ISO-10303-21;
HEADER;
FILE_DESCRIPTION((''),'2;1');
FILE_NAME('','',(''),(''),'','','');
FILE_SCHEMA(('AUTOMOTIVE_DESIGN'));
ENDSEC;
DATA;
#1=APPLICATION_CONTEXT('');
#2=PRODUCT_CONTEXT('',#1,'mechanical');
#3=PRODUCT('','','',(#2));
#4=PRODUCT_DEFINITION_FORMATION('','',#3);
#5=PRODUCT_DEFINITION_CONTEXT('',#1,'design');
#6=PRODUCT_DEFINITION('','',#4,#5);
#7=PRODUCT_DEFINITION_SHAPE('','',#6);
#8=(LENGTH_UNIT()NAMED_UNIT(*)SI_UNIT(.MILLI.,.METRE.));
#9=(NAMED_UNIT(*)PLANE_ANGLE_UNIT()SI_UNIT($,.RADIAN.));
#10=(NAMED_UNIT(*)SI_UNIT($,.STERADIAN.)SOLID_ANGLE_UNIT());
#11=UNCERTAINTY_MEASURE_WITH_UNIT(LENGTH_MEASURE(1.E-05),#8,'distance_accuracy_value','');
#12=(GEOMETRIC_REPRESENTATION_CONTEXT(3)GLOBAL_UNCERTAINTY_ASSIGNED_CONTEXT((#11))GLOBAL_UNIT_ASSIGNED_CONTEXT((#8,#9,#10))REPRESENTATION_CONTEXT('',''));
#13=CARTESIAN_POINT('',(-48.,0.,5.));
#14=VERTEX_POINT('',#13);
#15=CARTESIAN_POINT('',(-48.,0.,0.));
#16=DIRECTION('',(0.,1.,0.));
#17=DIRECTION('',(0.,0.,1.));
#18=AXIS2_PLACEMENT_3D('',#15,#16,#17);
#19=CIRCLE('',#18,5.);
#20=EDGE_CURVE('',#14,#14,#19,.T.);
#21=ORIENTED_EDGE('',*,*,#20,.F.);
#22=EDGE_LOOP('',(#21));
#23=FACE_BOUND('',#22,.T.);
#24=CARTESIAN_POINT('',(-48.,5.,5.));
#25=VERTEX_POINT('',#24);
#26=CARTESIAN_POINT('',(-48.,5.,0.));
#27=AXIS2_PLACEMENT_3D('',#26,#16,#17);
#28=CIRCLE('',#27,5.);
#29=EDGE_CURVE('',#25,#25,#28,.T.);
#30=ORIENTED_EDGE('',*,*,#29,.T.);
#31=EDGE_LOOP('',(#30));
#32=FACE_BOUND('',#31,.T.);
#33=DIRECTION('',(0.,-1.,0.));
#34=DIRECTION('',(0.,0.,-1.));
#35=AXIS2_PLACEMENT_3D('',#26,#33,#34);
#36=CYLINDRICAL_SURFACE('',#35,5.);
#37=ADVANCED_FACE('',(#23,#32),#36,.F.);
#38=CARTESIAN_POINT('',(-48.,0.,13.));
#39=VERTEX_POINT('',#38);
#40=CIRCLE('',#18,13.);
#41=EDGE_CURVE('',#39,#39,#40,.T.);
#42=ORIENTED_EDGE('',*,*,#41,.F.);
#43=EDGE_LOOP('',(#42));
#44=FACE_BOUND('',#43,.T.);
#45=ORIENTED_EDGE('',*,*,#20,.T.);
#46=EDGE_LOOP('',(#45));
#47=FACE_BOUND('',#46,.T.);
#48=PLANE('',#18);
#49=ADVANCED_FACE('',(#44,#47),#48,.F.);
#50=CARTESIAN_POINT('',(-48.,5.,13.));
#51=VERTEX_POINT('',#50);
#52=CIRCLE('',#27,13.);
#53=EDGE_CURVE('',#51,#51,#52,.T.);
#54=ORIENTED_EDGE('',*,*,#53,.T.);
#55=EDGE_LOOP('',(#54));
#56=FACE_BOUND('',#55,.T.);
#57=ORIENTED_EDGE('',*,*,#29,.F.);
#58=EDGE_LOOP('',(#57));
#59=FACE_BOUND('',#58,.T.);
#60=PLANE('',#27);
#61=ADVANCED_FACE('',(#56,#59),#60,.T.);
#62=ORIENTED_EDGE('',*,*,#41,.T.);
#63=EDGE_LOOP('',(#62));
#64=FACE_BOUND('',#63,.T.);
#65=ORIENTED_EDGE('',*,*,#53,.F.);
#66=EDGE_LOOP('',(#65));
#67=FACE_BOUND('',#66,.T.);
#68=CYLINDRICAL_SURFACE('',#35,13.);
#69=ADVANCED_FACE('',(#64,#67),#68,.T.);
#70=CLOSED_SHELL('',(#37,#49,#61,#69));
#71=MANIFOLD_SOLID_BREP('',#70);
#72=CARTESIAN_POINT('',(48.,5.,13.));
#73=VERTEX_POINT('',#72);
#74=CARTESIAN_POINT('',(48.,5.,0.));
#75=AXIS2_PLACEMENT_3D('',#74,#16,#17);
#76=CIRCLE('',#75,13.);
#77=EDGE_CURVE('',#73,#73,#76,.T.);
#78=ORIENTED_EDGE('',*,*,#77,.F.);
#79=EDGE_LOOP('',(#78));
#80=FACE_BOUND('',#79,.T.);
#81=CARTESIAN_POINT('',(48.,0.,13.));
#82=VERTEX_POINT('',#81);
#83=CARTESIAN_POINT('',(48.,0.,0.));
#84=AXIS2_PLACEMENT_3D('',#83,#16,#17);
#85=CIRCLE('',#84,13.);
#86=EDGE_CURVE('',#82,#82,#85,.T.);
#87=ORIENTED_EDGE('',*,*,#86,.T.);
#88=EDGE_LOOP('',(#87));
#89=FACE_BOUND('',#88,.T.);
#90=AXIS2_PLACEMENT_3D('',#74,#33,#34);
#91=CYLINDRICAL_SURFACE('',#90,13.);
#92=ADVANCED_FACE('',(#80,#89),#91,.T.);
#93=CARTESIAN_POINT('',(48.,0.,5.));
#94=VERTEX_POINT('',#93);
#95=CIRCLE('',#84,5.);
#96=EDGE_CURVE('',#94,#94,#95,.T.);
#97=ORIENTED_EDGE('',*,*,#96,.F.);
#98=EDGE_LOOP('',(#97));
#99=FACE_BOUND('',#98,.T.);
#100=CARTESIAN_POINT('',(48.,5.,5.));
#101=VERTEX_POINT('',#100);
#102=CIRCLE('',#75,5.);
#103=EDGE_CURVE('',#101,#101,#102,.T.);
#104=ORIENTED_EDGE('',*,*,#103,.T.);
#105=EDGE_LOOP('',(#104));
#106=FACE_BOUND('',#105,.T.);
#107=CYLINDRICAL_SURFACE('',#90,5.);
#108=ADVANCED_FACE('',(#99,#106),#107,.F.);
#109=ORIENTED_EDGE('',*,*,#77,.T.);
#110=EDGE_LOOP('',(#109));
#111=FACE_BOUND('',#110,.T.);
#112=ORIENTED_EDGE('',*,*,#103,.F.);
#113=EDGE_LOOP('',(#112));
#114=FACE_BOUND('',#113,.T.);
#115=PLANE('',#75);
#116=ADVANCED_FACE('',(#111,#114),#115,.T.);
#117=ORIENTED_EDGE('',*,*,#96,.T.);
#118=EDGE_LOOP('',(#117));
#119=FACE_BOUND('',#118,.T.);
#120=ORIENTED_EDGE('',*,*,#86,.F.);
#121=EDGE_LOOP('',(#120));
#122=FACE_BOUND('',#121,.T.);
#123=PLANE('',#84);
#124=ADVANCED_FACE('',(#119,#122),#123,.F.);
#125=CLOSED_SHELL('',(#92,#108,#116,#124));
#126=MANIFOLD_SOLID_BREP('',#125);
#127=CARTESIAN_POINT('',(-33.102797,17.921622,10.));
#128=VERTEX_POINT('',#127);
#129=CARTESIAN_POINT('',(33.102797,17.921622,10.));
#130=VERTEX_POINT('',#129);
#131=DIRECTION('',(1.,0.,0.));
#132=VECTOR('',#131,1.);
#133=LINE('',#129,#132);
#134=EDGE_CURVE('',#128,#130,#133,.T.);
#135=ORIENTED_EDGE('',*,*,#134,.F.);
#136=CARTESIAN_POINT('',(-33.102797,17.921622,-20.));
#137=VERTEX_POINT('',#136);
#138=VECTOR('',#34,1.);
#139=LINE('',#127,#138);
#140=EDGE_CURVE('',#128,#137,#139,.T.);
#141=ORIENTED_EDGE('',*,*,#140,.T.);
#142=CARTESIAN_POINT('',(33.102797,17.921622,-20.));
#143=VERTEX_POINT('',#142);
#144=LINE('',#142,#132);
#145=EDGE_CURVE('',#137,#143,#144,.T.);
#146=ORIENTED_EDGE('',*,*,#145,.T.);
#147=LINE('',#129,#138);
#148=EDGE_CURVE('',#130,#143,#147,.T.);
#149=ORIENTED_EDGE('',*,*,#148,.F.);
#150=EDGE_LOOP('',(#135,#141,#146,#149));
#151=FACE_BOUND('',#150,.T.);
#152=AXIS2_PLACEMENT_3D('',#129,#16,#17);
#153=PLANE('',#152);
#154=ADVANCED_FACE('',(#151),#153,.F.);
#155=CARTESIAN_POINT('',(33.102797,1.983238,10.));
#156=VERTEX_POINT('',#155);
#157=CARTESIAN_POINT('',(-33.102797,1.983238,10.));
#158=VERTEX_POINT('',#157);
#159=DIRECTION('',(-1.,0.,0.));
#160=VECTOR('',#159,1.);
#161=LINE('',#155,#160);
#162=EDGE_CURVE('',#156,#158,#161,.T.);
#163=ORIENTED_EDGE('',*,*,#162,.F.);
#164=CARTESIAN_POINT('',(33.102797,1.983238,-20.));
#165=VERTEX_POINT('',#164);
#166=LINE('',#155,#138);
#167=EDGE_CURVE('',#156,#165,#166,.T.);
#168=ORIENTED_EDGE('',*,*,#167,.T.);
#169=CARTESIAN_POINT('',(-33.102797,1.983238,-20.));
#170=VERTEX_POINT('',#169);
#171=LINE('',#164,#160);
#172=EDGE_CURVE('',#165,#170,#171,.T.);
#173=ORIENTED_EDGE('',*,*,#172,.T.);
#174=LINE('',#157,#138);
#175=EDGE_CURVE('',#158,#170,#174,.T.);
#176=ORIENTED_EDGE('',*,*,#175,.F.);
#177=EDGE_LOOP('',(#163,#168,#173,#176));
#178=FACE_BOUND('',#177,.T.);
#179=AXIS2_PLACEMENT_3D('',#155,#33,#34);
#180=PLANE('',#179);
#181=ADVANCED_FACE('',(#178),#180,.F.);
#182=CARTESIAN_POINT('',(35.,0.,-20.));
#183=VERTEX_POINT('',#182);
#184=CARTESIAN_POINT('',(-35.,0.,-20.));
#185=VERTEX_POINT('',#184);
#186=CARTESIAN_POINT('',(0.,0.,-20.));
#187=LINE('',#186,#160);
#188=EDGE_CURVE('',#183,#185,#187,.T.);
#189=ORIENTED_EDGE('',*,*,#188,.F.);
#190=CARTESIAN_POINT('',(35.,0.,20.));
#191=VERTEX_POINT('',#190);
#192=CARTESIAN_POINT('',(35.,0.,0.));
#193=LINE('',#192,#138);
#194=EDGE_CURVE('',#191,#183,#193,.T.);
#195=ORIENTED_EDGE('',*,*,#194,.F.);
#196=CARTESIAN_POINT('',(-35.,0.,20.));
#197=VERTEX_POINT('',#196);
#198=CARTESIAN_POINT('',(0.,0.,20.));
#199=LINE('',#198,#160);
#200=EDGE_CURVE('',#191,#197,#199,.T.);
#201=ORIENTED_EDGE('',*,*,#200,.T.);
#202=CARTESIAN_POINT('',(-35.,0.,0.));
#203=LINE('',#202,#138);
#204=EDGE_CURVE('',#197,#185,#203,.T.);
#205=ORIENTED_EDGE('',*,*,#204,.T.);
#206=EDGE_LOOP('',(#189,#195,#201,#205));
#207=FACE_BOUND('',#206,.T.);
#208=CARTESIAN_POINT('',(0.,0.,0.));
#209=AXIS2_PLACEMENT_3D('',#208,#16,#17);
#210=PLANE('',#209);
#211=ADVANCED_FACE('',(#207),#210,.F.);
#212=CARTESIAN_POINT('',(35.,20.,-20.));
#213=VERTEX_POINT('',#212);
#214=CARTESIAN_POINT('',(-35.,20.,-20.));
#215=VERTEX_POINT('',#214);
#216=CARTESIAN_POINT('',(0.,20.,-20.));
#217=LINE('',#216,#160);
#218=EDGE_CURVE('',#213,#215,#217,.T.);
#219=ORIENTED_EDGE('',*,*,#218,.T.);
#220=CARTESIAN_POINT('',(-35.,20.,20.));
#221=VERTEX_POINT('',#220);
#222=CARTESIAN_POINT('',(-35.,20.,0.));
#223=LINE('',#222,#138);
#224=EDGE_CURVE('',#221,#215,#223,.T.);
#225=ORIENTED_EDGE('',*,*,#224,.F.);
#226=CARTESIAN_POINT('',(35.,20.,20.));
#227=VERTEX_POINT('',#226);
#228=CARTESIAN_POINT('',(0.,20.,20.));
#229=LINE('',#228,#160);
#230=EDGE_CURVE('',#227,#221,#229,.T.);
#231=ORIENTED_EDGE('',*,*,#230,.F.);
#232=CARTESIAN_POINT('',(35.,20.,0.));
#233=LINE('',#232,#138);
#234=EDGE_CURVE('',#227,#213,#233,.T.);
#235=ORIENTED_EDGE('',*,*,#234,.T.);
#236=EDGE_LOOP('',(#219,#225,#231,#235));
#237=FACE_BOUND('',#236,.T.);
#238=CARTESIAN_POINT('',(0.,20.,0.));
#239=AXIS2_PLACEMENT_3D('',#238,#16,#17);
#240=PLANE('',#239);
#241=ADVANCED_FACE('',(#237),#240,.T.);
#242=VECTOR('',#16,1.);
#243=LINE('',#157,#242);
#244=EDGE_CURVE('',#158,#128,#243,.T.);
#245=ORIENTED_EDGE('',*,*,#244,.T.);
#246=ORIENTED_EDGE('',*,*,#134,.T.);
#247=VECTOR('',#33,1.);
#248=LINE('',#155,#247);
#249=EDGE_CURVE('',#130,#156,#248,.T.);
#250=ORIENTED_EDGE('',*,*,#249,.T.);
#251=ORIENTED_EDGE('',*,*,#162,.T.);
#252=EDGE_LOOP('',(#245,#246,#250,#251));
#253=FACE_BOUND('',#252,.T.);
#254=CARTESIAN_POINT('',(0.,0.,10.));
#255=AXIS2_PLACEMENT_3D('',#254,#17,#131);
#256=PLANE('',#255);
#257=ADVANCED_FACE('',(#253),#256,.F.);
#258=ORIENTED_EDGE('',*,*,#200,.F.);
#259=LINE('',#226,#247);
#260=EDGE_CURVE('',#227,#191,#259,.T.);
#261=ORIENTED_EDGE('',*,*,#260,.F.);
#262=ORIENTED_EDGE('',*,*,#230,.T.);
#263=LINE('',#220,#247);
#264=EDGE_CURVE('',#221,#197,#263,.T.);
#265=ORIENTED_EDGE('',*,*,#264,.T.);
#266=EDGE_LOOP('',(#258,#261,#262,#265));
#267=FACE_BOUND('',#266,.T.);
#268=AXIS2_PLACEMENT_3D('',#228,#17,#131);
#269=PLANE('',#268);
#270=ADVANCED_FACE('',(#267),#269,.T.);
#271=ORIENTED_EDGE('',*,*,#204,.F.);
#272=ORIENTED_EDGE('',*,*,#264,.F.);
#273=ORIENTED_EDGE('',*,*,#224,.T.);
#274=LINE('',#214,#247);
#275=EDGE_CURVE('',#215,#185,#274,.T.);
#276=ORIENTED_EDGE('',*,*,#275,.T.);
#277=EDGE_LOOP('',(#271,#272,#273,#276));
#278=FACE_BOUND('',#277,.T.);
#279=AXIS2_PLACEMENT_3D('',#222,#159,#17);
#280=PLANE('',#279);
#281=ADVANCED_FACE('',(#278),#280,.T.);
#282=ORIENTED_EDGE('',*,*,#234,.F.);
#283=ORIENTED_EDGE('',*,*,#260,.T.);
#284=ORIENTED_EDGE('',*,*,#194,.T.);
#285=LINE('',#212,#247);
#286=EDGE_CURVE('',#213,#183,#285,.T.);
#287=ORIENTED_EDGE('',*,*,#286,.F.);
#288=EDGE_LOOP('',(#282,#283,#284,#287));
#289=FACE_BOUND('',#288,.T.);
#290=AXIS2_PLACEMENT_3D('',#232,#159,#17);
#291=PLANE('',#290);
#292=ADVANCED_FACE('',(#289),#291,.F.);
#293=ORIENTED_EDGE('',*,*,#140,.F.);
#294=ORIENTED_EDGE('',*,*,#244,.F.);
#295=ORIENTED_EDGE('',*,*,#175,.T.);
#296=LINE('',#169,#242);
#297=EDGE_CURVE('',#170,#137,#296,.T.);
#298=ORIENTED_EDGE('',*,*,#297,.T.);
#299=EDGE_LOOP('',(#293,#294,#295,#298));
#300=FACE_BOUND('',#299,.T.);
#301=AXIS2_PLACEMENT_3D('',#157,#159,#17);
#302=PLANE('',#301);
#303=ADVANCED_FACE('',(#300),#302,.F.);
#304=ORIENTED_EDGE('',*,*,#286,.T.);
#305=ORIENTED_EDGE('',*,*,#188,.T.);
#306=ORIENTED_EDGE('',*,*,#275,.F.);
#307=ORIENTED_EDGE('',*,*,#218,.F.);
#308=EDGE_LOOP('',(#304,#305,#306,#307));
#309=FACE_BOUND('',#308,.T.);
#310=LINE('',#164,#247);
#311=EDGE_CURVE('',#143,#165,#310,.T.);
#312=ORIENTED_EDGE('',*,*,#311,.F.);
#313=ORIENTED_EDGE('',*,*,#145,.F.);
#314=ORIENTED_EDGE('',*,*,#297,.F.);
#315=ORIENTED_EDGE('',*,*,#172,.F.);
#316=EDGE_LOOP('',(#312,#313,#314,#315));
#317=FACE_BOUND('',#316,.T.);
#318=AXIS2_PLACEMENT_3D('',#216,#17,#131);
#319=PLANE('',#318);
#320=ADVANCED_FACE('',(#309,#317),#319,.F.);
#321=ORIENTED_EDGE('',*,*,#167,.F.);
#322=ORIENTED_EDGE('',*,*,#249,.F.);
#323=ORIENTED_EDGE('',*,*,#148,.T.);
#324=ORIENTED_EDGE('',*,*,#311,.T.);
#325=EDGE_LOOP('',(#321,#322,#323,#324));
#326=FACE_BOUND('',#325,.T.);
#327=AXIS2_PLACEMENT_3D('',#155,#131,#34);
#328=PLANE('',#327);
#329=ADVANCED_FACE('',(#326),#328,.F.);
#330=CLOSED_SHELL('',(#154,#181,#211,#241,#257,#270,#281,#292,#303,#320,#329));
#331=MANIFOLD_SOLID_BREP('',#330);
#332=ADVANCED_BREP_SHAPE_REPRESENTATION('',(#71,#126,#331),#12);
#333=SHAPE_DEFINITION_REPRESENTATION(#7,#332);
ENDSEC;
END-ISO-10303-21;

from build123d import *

# Parameters (mm, degrees)
EXTRUDE_1_DEPTH     = 20
SKETCH_3_W          = 66.20559445
SKETCH_3_H          = 15.93838385
CUT_EXTRUDE_2_DEPTH = 30
SKETCH_1_8_R        = 13
SKETCH_1_8_R_2      = 5
EXTRUDE_5_DEPTH     = 5
SKETCH_1_9_R        = 13
SKETCH_1_9_R_2      = 5
EXTRUDE_6_DEPTH     = 5


with BuildPart() as part:
    # 草图1 → 凸台-拉伸1 (new body)
    with BuildSketch(Plane(origin=(0, 0, 0), x_dir=(1, 0, 0), z_dir=(0, 1, 0))):
        Polygon((-35, -20), (35, -20), (35, -1.9e-08), (35, 20), (-35, 20), (-35, 0), align=None)
    extrude(amount=EXTRUDE_1_DEPTH)

    # 草图3 → 切除-拉伸2 (cut)
    with BuildSketch(Plane(origin=(0, 0, -20), x_dir=(-1, 0, 0), z_dir=(0, 0, -1))):
        with Locations((0, 9.952430017)):
            Rectangle(SKETCH_3_W, SKETCH_3_H)
    extrude(amount=-CUT_EXTRUDE_2_DEPTH, mode=Mode.SUBTRACT)


with BuildPart() as body_2:
    # 草图1<8> → 凸台-拉伸5 (new body)
    with BuildSketch(Plane(origin=(0, 0, 0), x_dir=(1, 0, 0), z_dir=(0, 1, 0))):
        with Locations((48, 0)):
            Circle(SKETCH_1_8_R)
        with Locations((48, 0)):
            Circle(SKETCH_1_8_R_2, mode=Mode.SUBTRACT)
    extrude(amount=EXTRUDE_5_DEPTH)


with BuildPart() as body_3:
    # 草图1<9> → 凸台-拉伸6 (new body)
    with BuildSketch(Plane(origin=(0, 0, 0), x_dir=(1, 0, 0), z_dir=(0, 1, 0))):
        with Locations((-48, 0)):
            Circle(SKETCH_1_9_R)
        with Locations((-48, 0)):
            Circle(SKETCH_1_9_R_2, mode=Mode.SUBTRACT)
    extrude(amount=EXTRUDE_6_DEPTH)


solid = Compound([part.part, body_2.part, body_3.part])
